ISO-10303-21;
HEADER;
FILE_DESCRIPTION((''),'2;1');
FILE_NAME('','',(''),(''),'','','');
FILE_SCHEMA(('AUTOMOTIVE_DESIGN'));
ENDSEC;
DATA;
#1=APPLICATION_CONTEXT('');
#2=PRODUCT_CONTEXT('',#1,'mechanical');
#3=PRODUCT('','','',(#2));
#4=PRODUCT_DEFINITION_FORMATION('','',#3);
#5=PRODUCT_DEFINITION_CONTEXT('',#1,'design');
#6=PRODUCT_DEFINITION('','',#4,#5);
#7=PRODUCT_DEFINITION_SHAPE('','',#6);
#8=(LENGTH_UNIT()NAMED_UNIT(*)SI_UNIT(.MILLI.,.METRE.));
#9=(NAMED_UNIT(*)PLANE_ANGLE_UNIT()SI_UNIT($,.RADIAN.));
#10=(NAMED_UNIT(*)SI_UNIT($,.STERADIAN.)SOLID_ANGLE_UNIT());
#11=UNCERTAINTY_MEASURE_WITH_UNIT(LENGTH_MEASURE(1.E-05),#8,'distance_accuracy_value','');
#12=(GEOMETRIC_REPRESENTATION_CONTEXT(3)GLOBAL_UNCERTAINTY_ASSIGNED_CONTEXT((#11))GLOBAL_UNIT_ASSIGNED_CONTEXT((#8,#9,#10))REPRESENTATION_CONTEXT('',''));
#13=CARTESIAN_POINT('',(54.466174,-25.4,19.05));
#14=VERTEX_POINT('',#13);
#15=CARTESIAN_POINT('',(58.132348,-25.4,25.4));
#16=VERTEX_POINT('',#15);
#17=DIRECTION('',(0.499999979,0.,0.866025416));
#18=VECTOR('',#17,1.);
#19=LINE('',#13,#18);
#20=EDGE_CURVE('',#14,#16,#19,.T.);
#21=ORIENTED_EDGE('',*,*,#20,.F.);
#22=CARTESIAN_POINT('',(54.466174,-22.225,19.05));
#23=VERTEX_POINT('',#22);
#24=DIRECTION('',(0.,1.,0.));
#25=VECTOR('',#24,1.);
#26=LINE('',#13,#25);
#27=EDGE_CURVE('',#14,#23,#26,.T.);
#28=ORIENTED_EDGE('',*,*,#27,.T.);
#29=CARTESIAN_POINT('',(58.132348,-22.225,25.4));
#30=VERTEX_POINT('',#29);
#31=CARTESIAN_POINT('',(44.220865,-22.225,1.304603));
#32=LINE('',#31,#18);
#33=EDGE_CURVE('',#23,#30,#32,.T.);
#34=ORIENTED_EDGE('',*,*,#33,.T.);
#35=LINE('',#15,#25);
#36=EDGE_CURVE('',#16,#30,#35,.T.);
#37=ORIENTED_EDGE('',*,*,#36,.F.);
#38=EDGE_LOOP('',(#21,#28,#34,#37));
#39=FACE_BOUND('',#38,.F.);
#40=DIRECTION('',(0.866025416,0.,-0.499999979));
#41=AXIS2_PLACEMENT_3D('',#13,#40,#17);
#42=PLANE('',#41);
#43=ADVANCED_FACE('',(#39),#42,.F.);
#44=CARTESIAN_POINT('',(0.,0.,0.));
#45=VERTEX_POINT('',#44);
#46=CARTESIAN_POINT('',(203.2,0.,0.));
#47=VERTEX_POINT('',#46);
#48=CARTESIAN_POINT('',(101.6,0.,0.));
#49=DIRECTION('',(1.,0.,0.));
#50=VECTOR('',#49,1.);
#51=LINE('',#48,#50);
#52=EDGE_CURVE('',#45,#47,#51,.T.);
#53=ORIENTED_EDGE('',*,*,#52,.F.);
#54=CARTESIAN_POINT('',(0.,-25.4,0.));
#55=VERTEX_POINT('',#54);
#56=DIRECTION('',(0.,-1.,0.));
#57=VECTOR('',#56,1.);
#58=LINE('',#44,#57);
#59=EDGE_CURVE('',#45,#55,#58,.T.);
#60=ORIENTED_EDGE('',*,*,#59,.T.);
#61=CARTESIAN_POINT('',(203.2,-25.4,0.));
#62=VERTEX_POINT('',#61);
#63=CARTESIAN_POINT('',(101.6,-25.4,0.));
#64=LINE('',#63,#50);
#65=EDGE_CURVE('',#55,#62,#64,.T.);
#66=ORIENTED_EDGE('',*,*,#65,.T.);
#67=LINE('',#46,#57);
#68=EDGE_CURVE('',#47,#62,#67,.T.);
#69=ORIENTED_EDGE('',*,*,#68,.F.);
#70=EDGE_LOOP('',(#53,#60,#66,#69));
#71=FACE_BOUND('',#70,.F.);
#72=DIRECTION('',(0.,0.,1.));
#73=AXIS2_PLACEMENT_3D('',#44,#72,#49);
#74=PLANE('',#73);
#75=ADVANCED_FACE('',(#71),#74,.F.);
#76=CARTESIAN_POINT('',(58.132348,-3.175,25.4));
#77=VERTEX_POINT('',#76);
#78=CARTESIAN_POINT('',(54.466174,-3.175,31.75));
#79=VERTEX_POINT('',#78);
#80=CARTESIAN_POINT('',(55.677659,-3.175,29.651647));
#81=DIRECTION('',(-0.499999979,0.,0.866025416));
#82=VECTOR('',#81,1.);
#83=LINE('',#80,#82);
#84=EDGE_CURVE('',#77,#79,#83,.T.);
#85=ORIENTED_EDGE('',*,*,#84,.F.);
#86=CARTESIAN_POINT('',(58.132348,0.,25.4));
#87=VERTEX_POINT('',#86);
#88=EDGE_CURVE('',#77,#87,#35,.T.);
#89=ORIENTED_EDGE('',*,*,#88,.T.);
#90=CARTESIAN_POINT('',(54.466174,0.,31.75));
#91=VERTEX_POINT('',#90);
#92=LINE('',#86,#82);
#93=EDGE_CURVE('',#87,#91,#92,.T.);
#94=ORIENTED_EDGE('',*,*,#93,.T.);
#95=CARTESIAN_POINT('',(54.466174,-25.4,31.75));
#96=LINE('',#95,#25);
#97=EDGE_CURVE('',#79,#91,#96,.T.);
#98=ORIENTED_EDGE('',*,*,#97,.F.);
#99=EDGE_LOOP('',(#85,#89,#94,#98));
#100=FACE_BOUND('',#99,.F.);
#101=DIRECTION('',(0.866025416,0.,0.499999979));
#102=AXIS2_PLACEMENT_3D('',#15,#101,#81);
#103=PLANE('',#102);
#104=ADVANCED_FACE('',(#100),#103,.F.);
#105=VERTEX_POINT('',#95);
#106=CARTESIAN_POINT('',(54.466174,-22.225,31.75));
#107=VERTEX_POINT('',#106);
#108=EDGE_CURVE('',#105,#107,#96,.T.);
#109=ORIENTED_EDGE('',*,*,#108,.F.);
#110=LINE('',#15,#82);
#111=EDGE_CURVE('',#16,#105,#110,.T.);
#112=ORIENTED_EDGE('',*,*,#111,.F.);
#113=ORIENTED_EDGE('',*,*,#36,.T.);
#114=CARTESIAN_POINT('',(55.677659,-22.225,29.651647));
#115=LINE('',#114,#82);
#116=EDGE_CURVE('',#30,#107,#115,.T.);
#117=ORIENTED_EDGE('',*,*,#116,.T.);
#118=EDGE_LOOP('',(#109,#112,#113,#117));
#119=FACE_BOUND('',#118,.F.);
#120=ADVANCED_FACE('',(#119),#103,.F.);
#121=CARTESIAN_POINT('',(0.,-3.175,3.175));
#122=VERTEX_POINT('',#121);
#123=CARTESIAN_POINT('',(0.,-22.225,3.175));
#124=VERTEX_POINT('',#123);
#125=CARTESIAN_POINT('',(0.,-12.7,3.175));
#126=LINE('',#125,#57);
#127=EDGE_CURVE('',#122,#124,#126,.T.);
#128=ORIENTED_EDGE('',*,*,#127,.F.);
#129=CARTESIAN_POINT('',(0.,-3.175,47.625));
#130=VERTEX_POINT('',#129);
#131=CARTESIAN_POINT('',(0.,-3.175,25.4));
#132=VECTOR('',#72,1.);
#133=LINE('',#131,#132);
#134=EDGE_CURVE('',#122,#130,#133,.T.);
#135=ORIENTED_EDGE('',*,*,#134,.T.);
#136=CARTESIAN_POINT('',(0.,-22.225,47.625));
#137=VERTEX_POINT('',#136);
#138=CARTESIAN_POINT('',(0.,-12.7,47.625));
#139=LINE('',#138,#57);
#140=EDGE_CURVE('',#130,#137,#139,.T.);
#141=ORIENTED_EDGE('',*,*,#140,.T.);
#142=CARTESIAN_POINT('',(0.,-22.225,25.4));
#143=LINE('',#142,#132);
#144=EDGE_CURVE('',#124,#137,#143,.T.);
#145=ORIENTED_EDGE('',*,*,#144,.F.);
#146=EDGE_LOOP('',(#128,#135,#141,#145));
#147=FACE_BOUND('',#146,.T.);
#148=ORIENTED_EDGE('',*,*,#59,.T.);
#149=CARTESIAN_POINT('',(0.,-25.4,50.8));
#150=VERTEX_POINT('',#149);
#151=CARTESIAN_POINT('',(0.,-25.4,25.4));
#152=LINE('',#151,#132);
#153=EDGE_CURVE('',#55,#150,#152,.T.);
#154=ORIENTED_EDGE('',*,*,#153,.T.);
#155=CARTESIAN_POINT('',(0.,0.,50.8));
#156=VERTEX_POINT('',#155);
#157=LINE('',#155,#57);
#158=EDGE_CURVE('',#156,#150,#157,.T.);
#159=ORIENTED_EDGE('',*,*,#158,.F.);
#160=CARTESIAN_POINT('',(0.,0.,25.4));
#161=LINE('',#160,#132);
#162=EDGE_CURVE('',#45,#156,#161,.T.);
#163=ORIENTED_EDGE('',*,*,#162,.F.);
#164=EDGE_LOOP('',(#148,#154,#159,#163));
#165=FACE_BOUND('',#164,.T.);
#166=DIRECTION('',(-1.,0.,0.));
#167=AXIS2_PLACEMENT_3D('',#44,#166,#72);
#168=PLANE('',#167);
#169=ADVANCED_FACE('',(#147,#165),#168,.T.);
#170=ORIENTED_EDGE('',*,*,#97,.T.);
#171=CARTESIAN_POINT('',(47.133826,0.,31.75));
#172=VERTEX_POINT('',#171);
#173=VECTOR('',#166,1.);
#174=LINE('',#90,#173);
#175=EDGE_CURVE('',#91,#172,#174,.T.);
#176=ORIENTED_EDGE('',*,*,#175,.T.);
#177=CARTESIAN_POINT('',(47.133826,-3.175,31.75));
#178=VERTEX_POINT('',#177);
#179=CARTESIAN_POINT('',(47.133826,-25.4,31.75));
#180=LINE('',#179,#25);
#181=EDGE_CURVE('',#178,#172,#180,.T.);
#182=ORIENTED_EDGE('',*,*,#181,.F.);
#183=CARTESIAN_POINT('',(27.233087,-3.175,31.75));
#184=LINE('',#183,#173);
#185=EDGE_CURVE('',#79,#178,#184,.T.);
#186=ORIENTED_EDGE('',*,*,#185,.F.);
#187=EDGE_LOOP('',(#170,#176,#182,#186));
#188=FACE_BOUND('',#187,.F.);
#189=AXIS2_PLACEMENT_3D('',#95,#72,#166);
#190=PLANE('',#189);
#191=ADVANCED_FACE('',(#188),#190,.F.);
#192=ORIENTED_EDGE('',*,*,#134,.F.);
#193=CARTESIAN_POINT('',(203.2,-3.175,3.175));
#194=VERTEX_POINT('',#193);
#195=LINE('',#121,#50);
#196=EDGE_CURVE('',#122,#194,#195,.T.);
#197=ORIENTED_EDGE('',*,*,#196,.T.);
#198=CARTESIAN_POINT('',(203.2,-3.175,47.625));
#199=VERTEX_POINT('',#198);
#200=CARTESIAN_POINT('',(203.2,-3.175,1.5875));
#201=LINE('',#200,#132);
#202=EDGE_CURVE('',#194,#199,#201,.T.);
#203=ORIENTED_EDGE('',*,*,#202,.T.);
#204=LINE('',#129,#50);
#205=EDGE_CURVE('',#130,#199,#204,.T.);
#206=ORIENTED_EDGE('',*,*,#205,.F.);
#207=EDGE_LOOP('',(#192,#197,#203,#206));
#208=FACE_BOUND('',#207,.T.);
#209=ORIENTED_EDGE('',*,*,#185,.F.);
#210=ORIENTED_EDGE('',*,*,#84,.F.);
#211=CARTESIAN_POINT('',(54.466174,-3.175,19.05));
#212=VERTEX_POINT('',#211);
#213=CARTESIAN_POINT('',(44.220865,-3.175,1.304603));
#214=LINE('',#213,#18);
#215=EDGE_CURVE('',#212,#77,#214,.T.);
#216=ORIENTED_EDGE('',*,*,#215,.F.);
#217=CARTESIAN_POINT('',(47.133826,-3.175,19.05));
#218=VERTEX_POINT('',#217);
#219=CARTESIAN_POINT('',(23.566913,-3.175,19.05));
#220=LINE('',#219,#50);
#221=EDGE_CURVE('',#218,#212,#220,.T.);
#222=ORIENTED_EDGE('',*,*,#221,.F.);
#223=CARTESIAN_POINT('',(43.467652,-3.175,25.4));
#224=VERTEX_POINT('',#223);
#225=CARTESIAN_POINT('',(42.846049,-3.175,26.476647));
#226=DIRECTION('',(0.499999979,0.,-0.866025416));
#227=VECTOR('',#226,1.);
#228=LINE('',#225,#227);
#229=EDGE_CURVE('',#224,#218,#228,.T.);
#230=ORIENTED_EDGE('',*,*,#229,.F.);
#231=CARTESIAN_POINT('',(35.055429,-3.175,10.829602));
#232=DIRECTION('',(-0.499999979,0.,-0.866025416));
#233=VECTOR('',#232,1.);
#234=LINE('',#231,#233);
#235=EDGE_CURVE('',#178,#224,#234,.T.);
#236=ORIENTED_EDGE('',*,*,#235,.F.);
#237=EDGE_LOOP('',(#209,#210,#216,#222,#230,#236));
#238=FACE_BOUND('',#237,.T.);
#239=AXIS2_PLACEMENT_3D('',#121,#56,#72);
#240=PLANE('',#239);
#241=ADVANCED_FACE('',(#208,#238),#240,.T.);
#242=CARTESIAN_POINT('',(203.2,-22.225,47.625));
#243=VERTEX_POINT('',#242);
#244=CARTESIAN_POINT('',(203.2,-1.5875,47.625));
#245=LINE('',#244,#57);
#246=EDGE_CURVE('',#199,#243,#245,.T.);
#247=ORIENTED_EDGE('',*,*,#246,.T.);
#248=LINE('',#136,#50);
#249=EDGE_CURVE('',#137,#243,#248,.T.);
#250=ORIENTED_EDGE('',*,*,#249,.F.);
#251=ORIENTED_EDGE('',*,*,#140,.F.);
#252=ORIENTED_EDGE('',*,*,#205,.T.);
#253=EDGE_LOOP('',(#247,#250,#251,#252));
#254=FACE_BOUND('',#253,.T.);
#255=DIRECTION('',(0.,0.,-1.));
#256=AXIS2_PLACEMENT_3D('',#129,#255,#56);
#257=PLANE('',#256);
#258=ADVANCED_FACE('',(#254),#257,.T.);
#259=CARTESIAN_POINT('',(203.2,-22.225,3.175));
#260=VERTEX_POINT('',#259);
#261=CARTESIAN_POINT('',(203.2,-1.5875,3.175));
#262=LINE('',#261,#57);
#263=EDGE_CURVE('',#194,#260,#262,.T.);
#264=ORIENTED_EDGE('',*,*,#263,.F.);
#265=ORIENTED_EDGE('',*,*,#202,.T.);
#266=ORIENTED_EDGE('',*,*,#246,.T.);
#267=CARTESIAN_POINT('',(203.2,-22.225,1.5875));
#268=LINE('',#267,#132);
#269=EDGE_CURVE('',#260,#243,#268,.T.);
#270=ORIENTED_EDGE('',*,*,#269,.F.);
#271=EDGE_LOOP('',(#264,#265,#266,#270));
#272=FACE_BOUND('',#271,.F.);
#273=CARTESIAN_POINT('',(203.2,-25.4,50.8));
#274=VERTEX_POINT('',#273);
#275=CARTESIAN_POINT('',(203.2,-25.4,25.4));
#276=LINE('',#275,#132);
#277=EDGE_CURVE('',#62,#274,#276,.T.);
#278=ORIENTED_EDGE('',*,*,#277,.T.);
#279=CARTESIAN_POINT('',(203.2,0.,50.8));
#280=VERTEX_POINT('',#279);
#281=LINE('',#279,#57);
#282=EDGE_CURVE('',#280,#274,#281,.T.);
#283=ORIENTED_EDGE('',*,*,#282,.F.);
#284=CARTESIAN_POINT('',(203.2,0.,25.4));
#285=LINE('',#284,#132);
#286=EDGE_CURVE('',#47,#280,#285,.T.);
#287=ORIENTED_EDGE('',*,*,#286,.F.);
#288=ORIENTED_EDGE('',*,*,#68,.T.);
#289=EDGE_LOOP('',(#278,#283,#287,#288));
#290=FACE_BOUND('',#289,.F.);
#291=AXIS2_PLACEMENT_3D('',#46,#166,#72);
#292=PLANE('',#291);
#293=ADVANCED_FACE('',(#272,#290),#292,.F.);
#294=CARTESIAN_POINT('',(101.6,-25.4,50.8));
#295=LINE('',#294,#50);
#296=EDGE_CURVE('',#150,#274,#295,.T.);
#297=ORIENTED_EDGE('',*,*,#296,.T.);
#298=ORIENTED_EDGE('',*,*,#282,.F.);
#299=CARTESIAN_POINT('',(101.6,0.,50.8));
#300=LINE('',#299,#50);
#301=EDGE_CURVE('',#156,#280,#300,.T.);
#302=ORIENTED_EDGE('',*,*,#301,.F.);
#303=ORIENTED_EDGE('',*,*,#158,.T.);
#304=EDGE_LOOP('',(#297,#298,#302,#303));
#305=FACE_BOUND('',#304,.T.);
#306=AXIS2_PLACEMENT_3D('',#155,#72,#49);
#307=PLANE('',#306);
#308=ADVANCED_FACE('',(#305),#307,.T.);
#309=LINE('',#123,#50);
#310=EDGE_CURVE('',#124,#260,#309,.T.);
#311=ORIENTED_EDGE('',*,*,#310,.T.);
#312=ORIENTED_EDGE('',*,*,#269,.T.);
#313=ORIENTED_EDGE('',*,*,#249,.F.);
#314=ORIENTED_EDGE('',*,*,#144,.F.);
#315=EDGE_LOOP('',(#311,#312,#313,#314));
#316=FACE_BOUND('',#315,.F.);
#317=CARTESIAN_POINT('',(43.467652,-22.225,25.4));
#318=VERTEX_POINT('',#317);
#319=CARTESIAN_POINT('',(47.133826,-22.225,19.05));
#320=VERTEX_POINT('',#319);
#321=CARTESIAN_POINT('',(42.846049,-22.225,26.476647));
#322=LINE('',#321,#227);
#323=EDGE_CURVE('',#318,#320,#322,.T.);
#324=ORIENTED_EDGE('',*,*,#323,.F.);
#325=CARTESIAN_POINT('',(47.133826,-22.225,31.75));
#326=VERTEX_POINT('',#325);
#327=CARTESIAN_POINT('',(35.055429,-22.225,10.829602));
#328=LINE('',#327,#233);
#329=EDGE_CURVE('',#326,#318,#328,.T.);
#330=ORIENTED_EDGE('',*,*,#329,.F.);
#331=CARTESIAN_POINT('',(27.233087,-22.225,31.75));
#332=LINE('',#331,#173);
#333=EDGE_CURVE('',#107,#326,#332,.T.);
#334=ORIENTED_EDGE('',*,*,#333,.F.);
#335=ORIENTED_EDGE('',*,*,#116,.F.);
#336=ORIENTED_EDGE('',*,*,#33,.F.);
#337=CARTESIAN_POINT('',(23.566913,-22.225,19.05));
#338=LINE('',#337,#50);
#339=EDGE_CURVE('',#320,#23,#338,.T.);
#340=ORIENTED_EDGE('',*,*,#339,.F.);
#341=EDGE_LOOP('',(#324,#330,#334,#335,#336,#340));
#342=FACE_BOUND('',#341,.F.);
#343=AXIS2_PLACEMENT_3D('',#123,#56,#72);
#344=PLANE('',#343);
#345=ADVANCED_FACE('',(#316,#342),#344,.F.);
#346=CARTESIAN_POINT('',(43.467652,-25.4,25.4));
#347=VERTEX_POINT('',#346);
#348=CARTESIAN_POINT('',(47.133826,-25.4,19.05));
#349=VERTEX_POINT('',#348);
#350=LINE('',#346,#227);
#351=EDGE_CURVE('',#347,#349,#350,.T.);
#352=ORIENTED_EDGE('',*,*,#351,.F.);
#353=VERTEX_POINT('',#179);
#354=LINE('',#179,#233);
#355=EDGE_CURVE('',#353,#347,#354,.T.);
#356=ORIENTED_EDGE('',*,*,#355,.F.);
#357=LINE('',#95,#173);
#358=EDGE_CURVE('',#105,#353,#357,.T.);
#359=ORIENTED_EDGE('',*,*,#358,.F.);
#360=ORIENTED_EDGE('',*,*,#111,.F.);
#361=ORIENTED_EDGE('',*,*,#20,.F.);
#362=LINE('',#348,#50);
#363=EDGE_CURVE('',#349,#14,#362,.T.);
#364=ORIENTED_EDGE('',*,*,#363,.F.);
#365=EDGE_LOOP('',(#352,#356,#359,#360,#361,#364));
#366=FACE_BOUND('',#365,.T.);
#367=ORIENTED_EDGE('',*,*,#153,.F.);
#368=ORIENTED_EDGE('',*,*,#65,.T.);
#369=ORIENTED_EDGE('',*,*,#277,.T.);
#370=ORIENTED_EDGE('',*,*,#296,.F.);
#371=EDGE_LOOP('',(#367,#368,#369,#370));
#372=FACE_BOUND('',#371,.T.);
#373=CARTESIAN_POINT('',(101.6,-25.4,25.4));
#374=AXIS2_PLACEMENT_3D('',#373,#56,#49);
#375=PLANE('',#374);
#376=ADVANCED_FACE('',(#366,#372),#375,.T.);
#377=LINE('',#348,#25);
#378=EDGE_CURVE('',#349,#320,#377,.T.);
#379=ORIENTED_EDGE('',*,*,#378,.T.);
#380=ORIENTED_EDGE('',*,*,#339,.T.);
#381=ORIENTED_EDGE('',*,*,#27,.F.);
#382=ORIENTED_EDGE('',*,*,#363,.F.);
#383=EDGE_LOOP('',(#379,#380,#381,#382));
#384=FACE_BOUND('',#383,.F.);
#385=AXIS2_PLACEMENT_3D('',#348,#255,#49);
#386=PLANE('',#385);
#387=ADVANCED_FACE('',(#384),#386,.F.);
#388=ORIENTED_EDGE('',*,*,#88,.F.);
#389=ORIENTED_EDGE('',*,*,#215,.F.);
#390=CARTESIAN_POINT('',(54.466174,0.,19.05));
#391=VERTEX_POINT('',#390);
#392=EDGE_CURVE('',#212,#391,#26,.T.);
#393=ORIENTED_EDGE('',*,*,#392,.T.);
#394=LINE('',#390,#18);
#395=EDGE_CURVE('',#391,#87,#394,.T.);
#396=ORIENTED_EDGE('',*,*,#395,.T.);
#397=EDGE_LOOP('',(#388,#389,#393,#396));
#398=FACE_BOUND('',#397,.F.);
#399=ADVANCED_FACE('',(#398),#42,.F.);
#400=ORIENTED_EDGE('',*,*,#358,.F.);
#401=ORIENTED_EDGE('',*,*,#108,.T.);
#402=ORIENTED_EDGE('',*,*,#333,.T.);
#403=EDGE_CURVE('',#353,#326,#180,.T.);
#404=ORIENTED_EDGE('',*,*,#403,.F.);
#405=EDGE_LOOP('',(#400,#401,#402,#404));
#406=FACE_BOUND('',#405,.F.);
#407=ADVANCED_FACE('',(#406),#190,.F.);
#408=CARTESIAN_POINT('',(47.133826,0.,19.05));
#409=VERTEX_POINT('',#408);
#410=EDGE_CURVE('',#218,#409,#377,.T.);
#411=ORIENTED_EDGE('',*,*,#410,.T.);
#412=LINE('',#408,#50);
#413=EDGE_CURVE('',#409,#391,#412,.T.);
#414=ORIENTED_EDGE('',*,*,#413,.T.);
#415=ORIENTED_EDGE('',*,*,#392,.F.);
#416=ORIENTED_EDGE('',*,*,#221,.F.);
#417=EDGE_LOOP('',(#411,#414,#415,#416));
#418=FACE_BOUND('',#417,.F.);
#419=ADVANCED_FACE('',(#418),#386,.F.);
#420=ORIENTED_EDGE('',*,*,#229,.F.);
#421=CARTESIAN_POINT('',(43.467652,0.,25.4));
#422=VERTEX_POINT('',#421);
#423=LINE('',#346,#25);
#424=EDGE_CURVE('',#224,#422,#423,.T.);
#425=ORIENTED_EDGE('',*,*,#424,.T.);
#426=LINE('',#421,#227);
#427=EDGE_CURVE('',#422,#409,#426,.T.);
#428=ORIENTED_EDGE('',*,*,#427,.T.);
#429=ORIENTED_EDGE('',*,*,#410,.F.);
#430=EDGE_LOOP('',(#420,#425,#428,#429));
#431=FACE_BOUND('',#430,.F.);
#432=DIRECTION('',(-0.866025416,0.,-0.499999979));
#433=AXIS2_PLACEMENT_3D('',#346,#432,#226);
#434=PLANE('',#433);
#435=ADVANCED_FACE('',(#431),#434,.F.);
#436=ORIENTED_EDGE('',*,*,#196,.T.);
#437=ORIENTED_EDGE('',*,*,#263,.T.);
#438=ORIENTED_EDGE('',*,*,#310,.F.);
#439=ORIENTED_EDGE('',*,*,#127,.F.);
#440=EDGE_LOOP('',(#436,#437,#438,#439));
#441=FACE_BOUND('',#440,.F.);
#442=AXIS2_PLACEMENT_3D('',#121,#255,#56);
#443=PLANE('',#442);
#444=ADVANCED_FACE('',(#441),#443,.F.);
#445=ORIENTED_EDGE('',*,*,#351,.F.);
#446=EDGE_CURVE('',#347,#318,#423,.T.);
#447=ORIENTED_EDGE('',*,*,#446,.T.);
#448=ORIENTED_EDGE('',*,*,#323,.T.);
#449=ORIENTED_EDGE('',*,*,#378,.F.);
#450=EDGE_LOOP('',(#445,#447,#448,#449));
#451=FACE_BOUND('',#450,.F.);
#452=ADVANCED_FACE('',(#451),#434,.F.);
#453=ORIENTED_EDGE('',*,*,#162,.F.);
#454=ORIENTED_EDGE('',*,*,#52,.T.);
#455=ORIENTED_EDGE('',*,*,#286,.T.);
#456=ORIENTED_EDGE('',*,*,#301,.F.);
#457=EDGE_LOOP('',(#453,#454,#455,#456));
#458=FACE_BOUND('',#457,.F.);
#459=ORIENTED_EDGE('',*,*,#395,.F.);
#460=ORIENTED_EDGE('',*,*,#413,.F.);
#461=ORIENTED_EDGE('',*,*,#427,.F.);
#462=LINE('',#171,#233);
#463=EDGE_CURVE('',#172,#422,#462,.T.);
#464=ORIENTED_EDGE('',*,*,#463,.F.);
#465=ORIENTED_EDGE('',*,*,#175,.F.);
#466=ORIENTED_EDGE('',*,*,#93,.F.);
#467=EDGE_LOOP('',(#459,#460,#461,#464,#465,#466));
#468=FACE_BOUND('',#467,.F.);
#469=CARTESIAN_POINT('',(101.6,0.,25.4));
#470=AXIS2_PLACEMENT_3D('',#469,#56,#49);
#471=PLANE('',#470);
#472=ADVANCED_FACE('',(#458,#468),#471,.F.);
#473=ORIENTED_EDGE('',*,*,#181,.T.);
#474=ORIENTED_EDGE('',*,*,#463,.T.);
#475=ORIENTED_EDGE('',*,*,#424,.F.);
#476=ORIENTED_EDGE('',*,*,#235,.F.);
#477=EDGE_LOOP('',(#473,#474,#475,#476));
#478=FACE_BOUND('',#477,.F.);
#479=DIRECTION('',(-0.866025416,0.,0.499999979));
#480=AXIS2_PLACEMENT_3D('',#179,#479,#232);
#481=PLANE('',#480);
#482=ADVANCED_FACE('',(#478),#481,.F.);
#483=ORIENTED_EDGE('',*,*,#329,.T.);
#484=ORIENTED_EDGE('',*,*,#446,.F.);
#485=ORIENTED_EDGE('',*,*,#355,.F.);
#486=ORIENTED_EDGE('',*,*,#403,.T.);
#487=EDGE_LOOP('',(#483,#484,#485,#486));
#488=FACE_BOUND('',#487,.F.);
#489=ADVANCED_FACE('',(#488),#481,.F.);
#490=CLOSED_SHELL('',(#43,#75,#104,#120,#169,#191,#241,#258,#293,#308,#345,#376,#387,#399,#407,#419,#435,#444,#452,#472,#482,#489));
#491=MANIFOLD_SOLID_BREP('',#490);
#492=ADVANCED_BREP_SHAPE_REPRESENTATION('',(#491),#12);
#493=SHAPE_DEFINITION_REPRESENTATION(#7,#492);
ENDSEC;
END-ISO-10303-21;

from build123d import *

# Parameters (mm, degrees)
F0_W     = 203.2
F0_H     = 50.8
F1_DEPTH = 25.4
F2_W     = 19.05
F2_H     = 44.45
F3_DEPTH = 304.8
F5_DEPTH = 25.4


with BuildPart() as f1:
    # F0 (on Front) → F1 (new body)
    with BuildSketch(Plane.XZ):
        with Locations((101.6, 25.4)):
            Rectangle(F0_W, F0_H)
    extrude(amount=F1_DEPTH)

    # F2 (on face) → F3 (cut)
    with BuildSketch(Plane(origin=(0, 0, 0), x_dir=(0, -1, 0), z_dir=(-1, 0, 0))):
        with Locations((12.7, 25.4)):
            Rectangle(F2_W, F2_H)
    extrude(amount=-F3_DEPTH, mode=Mode.SUBTRACT)

    # F4 (on face) → F5 (cut)
    with BuildSketch(Plane.XZ.offset(25.4)):
        Polygon((54.466174, 31.75), (47.133826, 31.75), (43.467652, 25.4), (47.133826, 19.05), (54.466174, 19.05), (58.132348, 25.4), align=None)
    extrude(amount=-F5_DEPTH, mode=Mode.SUBTRACT)


solid = f1.part
